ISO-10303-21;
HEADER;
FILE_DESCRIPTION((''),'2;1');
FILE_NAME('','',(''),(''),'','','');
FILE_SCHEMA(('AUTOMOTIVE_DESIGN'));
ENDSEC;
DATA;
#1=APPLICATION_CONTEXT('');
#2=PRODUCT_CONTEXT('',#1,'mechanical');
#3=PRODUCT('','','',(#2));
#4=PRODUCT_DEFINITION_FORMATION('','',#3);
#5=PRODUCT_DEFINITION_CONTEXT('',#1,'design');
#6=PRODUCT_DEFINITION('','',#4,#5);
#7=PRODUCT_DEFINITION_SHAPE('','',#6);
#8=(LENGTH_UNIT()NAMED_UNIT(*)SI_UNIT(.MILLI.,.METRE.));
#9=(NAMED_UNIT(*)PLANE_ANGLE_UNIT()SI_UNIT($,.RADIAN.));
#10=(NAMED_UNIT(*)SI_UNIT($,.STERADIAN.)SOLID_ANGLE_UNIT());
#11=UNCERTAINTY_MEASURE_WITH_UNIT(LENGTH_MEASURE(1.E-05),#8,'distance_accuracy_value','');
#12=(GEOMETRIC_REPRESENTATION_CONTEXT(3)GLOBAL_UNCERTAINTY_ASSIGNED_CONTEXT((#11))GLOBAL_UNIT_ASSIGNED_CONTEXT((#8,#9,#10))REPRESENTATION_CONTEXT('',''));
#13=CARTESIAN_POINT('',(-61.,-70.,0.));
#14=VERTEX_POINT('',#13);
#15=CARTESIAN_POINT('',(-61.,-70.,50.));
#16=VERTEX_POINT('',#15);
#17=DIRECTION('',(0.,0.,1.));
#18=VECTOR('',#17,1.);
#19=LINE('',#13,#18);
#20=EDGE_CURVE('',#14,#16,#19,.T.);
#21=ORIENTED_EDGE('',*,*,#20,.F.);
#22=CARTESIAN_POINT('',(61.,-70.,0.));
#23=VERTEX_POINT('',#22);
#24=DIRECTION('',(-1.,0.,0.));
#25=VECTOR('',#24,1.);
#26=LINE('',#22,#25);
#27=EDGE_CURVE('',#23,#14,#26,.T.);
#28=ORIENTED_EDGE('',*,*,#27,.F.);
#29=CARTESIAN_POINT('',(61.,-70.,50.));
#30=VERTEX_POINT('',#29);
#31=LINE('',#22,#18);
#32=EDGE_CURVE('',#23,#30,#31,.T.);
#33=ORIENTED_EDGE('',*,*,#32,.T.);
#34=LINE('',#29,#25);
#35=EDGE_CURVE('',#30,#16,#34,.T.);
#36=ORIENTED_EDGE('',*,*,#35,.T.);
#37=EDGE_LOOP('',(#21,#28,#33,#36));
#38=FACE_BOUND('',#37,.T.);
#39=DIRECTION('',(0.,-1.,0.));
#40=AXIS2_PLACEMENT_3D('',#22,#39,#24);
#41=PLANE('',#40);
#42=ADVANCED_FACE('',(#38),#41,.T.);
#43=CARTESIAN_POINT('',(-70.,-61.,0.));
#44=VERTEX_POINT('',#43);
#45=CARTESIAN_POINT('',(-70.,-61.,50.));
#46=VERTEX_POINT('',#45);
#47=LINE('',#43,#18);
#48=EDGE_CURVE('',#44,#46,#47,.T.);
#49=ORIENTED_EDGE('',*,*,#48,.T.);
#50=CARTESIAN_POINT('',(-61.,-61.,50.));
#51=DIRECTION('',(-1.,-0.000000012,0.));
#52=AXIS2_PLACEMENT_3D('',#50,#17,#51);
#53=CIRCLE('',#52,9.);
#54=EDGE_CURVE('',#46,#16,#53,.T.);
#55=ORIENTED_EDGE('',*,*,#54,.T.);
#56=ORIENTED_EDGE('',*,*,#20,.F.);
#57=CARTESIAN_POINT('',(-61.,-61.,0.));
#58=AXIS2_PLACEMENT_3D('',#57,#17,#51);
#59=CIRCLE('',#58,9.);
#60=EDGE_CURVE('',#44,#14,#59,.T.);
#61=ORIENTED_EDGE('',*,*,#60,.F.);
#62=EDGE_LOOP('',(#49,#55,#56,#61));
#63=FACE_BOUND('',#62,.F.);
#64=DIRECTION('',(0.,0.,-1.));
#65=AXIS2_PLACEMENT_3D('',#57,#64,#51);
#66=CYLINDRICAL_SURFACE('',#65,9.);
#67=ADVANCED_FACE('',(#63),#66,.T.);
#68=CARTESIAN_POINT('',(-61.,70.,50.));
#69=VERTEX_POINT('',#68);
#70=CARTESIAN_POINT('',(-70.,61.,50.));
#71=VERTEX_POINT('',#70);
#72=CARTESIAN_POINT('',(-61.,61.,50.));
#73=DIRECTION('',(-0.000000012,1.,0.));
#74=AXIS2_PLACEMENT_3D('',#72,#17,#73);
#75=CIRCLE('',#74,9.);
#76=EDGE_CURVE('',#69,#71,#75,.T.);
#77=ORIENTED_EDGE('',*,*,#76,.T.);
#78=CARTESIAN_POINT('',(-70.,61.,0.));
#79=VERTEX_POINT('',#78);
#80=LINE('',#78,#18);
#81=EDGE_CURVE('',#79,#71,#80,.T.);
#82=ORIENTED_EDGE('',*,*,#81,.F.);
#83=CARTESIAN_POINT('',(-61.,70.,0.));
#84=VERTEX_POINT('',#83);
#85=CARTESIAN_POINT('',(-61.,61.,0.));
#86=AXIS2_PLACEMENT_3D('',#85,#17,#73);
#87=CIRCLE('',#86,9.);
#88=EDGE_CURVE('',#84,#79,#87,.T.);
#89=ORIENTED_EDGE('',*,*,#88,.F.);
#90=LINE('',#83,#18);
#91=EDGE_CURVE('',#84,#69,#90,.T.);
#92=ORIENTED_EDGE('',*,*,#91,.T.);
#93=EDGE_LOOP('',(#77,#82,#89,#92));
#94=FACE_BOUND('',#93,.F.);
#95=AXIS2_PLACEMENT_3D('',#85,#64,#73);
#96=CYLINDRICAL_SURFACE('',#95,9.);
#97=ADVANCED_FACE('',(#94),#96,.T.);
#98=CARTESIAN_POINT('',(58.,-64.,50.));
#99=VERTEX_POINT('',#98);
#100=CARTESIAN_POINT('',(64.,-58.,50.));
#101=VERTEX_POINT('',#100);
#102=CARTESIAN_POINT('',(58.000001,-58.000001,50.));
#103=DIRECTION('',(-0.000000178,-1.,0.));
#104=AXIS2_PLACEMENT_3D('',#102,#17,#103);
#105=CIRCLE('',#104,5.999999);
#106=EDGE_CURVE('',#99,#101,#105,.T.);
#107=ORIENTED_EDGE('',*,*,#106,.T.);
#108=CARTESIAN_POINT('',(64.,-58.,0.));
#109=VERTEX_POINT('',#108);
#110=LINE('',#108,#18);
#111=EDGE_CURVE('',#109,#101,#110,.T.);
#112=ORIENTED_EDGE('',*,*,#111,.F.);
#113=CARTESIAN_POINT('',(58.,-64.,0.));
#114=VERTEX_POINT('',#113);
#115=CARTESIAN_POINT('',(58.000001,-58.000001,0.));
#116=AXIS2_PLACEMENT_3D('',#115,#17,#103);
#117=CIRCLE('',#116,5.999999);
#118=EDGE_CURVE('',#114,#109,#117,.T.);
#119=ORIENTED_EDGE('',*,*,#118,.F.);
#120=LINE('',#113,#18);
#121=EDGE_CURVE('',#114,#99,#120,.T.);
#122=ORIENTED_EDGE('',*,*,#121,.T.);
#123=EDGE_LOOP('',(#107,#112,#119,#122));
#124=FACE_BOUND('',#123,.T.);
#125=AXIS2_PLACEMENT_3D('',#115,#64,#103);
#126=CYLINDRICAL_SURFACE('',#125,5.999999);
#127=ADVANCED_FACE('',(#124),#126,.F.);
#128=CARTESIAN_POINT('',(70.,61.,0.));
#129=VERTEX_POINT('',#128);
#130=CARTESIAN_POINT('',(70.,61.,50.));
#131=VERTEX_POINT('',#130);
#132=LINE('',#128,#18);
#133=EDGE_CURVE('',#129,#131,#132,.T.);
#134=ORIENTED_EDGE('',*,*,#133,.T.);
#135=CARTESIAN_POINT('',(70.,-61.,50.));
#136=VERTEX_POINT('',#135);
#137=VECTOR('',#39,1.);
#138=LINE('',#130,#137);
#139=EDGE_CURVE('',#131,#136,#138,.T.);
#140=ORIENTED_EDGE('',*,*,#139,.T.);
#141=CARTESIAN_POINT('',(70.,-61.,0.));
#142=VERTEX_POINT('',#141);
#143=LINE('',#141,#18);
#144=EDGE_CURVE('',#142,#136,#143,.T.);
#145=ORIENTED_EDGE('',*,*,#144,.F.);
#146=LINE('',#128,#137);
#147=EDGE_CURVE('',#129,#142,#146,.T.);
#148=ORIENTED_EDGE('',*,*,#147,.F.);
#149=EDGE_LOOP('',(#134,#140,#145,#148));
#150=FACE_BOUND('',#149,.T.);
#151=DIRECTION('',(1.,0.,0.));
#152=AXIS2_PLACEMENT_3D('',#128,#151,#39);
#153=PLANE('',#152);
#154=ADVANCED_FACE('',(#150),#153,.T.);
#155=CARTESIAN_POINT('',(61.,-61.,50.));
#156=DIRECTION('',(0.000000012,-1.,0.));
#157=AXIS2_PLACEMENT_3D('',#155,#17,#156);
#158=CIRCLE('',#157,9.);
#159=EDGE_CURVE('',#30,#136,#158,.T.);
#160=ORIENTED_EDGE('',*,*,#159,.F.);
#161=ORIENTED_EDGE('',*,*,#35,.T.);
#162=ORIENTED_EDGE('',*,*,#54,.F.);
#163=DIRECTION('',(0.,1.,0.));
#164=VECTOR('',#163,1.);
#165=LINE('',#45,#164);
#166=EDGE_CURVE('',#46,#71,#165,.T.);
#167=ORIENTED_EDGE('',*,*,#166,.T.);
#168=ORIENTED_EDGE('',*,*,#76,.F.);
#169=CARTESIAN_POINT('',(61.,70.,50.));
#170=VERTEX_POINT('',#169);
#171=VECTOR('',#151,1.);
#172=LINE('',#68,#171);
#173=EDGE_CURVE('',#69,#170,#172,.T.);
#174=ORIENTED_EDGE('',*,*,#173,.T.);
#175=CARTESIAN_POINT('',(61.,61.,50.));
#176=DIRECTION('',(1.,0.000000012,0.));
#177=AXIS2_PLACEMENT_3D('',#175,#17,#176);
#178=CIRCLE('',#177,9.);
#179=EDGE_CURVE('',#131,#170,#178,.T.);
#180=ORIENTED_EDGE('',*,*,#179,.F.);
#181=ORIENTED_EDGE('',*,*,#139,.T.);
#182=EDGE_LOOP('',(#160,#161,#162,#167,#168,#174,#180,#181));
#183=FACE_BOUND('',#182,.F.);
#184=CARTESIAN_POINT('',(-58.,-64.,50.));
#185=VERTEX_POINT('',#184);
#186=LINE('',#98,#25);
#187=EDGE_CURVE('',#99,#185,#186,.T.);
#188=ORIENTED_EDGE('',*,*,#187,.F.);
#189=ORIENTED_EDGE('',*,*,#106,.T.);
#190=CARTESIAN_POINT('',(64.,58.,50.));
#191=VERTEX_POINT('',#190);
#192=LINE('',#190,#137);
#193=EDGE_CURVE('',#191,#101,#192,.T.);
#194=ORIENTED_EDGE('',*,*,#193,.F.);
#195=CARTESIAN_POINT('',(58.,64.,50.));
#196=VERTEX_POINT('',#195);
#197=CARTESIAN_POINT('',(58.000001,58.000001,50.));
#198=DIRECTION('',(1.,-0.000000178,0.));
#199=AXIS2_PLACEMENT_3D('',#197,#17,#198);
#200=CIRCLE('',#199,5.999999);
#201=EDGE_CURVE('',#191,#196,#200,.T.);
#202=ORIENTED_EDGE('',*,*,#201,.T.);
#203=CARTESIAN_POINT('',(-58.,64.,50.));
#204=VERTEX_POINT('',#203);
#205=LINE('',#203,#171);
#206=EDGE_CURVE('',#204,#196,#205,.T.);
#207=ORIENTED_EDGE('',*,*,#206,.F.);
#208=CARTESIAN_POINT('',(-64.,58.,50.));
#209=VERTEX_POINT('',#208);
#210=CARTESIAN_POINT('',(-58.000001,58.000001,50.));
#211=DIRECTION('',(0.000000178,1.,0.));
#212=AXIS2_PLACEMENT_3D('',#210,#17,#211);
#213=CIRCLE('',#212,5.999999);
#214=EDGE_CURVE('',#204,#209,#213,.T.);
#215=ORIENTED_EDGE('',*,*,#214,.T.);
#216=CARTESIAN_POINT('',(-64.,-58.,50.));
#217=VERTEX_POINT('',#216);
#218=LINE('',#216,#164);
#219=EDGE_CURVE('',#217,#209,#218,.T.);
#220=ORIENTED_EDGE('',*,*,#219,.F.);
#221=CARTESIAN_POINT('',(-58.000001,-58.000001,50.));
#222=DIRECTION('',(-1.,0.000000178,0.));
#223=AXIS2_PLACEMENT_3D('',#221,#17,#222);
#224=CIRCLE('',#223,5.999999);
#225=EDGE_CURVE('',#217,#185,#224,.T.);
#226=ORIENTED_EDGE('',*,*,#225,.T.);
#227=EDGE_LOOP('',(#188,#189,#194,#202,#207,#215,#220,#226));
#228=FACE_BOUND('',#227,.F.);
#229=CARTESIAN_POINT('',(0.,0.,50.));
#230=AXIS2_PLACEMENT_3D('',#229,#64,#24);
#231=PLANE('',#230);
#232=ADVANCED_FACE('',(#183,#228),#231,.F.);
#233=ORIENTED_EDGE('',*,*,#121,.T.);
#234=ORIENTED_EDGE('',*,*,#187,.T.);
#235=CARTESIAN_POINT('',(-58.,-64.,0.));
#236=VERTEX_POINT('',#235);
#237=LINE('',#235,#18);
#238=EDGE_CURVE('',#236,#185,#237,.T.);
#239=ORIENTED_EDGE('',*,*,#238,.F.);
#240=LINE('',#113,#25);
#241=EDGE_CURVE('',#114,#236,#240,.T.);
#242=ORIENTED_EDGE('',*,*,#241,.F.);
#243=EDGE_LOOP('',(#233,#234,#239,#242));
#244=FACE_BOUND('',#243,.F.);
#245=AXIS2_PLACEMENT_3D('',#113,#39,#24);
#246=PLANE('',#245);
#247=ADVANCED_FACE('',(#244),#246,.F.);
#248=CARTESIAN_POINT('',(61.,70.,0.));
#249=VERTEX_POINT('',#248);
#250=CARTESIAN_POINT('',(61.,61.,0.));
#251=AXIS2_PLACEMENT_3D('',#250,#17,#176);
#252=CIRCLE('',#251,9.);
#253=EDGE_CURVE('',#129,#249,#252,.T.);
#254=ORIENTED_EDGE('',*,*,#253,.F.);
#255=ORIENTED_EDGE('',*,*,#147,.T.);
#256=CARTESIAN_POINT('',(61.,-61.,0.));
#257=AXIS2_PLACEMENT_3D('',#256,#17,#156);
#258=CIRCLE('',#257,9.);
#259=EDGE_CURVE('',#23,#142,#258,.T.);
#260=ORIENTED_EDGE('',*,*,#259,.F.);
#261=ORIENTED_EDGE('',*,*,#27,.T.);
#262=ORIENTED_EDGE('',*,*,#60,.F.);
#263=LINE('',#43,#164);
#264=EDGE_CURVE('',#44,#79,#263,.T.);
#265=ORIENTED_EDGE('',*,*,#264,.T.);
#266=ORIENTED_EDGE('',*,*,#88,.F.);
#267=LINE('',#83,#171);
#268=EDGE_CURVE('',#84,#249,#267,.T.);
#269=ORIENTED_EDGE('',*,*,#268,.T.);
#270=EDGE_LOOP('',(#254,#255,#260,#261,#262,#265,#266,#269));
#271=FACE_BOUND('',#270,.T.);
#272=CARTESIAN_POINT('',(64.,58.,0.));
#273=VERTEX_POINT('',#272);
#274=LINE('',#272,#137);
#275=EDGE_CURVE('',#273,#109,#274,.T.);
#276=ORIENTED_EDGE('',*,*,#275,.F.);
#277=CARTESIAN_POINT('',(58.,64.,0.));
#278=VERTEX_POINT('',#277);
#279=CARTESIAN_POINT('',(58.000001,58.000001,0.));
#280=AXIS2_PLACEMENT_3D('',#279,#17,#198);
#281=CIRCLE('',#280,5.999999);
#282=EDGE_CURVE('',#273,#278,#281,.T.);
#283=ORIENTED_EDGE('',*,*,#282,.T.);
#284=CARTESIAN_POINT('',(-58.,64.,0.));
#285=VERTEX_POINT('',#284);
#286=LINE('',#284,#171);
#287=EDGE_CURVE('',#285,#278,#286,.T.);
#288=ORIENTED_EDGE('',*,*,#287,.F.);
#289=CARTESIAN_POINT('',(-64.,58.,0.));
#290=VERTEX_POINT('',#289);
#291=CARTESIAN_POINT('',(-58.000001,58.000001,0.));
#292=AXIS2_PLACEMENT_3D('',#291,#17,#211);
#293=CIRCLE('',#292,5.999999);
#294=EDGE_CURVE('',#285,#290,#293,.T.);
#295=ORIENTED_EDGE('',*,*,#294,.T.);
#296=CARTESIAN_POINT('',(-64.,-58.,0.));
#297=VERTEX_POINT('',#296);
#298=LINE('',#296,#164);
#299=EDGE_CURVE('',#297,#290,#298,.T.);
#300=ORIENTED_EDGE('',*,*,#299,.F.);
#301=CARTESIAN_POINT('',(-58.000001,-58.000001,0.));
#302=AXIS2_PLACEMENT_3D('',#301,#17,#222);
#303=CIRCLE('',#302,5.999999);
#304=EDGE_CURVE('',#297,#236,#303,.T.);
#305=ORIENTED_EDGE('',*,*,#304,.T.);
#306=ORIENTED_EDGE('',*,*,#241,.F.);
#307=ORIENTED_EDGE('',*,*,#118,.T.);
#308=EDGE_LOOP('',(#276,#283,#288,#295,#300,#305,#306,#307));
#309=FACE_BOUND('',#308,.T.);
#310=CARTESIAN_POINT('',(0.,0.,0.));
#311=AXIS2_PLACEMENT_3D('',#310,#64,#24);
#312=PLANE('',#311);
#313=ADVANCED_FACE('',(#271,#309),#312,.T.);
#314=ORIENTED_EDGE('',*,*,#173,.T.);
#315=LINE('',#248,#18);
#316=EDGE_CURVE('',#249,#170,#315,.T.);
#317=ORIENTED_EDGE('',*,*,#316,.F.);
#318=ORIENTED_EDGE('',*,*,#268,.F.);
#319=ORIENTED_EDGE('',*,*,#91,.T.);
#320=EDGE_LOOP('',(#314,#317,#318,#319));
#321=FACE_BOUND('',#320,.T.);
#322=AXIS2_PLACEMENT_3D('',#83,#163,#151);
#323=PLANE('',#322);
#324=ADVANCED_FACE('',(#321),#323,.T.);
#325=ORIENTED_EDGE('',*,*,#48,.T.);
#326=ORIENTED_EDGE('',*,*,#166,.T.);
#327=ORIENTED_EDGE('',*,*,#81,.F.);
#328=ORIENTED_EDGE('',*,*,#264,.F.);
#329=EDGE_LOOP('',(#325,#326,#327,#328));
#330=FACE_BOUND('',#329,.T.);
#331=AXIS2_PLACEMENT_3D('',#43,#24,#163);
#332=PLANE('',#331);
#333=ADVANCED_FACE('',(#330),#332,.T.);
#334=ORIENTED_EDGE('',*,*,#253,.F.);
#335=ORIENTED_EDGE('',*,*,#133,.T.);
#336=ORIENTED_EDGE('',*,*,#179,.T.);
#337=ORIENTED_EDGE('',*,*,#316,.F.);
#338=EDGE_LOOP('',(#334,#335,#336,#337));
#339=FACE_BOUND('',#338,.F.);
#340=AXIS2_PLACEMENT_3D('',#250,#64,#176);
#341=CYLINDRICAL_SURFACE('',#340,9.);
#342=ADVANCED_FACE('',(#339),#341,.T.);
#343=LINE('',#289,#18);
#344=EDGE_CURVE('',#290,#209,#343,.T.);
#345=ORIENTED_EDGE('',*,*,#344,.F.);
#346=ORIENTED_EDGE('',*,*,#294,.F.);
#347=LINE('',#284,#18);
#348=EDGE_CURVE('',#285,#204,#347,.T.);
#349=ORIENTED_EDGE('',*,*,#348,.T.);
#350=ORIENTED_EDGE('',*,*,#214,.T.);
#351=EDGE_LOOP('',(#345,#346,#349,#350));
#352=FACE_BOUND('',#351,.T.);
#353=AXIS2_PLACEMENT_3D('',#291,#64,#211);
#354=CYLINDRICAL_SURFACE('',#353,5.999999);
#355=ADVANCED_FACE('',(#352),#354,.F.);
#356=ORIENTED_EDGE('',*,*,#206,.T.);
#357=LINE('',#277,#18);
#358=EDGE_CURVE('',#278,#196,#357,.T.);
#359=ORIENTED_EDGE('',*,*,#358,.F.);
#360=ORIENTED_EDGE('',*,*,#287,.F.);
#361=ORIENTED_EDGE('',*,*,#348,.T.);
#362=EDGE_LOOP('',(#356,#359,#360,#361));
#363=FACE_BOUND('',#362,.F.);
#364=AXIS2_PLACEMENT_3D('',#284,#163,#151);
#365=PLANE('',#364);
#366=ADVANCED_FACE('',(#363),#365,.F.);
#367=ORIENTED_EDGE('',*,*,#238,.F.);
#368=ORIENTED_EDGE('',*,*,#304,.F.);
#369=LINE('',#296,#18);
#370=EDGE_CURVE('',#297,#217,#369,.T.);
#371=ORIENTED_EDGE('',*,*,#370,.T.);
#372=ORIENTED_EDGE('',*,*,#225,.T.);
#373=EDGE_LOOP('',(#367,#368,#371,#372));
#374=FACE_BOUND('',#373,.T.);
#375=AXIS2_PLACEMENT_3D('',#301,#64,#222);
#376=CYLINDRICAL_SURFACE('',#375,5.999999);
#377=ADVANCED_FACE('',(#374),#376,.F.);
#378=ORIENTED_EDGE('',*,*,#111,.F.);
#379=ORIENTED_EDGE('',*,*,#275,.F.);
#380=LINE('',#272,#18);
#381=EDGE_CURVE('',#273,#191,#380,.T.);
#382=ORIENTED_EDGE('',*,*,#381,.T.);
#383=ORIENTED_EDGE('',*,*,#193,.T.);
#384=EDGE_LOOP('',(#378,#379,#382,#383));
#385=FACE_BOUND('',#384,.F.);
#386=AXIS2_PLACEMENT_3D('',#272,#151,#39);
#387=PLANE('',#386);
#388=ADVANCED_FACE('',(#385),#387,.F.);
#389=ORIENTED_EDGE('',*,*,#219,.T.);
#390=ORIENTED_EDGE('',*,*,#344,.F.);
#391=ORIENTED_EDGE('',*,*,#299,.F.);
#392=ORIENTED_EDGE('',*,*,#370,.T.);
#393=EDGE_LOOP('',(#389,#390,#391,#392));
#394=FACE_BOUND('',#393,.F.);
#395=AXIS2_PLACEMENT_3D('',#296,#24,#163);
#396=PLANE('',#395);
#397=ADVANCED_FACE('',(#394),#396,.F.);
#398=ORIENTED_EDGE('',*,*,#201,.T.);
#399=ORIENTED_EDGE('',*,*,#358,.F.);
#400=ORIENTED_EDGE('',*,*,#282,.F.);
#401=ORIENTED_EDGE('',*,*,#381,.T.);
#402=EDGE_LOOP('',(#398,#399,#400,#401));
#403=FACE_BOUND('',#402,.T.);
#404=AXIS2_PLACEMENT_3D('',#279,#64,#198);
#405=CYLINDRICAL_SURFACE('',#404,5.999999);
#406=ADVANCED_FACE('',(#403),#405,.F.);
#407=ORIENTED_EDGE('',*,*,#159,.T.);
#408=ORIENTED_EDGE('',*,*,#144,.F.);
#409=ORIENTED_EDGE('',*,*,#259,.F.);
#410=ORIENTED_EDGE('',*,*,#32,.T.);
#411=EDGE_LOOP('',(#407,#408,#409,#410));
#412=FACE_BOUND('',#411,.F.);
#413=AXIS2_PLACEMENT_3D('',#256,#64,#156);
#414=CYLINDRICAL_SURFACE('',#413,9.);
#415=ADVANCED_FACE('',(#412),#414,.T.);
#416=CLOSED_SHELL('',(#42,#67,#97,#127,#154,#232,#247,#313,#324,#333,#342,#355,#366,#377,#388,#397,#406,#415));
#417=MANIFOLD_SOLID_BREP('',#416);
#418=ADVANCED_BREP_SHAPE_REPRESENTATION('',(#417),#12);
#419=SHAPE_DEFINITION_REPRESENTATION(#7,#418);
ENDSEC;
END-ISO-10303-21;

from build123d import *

# Parameters (mm, degrees)
EXTRUDE_DEPTH = 50


with BuildPart() as part:
    # Sketch → Extrude (new body)
    with BuildSketch(Plane.XY):
        with BuildLine():
            Line((-61, 70), (61, 70))
            ThreePointArc((70, 61), (67.363961, 67.363961), (61, 70))
            Line((70, 61), (70, -61))
            ThreePointArc((61, -70), (67.363961, -67.363961), (70, -61))
            Line((61, -70), (-61, -70))
            ThreePointArc((-70, -61), (-67.363961, -67.363961), (-61, -70))
            Line((-70, -61), (-70, 61))
            ThreePointArc((-61, 70), (-67.363961, 67.363961), (-70, 61))
        make_face()
        with BuildLine():
            Line((-58, 64), (58, 64))
            ThreePointArc((64, 58), (62.242641, 62.242641), (58, 64))
            Line((64, 58), (64, -58))
            ThreePointArc((58, -64), (62.242641, -62.242641), (64, -58))
            Line((58, -64), (-58, -64))
            ThreePointArc((-64, -58), (-62.242641, -62.242641), (-58, -64))
            Line((-64, -58), (-64, 58))
            ThreePointArc((-58, 64), (-62.242641, 62.242641), (-64, 58))
        make_face(mode=Mode.SUBTRACT)
    extrude(amount=EXTRUDE_DEPTH)


solid = part.part
